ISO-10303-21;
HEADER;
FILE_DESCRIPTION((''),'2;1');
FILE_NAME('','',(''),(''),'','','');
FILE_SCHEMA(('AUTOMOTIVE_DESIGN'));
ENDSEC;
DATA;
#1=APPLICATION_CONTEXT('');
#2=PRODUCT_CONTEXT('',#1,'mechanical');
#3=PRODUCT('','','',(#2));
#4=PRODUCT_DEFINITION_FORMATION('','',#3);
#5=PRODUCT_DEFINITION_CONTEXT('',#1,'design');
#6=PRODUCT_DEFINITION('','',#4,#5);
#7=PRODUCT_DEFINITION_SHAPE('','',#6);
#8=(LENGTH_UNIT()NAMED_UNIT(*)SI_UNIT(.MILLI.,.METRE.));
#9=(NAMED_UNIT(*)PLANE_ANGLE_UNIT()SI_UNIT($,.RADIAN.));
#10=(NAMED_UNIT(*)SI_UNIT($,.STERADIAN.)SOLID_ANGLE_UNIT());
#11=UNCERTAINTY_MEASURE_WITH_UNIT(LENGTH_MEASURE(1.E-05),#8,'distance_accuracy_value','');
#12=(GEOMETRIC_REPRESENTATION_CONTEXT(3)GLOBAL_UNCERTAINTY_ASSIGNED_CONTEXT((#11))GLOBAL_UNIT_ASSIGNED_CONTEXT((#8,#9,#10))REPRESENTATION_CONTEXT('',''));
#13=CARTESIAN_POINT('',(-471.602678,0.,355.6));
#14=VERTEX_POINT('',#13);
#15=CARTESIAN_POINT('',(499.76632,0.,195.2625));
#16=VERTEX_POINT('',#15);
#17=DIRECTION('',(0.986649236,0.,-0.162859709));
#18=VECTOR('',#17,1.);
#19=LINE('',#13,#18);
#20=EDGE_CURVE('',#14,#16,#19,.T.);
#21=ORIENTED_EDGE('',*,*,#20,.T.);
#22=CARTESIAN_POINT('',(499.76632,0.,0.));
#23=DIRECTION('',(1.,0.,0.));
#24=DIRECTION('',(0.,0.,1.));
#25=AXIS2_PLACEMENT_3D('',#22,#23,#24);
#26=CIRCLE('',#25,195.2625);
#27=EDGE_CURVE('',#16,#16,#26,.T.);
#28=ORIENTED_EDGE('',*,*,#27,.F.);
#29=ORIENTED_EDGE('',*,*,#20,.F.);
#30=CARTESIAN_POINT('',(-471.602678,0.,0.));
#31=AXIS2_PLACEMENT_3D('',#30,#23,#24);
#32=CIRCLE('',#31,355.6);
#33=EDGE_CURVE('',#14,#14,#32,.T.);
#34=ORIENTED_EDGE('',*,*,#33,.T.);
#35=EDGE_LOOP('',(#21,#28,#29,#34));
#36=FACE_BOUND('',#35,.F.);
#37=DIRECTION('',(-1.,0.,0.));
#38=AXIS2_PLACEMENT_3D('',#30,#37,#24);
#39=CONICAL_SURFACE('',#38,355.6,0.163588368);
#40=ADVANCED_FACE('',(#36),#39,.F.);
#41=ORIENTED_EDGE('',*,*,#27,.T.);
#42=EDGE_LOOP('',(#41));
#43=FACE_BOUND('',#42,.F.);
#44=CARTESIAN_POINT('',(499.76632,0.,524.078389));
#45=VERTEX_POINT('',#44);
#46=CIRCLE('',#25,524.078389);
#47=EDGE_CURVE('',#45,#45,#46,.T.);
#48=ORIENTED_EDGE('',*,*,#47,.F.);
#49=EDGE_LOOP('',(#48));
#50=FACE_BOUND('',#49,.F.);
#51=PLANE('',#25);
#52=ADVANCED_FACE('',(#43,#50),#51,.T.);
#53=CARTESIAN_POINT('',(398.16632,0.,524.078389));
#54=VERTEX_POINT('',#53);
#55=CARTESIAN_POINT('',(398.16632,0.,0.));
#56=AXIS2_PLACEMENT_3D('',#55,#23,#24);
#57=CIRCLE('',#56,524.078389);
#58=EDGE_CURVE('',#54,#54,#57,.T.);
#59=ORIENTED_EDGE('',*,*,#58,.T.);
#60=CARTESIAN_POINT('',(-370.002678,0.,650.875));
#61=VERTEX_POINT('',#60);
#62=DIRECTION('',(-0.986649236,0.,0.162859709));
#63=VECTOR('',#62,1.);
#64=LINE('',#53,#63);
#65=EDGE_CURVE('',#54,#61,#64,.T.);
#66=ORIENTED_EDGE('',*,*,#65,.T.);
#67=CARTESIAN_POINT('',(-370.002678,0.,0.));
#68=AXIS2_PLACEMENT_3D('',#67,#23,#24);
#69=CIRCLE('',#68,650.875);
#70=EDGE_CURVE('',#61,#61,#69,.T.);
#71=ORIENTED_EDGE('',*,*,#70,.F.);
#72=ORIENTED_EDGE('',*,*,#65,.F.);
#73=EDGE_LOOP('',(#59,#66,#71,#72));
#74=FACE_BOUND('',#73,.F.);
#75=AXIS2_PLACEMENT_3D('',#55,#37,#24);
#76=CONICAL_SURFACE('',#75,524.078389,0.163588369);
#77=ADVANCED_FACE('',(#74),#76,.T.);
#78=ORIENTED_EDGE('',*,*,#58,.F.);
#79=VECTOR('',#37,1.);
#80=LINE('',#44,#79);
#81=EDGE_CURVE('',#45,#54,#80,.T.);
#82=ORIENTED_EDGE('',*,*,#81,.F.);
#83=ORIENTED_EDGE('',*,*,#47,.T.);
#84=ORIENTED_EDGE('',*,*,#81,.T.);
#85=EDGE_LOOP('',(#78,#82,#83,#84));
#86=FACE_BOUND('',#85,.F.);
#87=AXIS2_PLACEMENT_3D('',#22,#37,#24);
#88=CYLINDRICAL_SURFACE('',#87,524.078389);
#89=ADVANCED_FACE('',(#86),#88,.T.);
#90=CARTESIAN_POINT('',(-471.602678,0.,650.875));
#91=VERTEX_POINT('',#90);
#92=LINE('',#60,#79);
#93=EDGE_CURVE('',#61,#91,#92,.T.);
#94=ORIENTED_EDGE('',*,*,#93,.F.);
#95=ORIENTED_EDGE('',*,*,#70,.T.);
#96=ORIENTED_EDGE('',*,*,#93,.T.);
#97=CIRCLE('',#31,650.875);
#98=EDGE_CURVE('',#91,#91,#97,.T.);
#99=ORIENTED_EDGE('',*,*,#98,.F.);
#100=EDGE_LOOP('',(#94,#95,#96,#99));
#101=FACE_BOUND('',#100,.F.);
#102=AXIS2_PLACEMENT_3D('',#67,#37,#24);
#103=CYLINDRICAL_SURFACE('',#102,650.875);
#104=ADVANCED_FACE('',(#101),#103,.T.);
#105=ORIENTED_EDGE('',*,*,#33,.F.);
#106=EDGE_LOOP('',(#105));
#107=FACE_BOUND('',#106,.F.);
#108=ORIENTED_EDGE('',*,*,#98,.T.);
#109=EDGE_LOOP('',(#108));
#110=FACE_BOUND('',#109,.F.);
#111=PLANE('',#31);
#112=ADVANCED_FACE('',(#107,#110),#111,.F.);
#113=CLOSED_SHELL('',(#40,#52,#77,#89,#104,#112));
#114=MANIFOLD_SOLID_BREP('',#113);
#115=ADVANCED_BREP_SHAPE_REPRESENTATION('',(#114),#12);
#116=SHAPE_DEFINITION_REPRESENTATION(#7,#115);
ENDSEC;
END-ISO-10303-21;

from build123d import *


with BuildPart() as f1:
    # F0 (on Front) → F1 (revolve)
    with BuildSketch(Plane.XZ):
        Polygon((-471.602678, 469.9), (-471.602678, 355.6), (499.76632, 195.2625), (499.76632, 309.5625), align=None)
        Polygon((-471.602678, 650.875), (-471.602678, 469.9), (499.76632, 309.5625), (499.76632, 524.078389), (398.16632, 524.078389), (-370.002678, 650.875), align=None)
    revolve(axis=Axis((3.405138, 0, 0), (1, 0, 0)))


solid = f1.part
